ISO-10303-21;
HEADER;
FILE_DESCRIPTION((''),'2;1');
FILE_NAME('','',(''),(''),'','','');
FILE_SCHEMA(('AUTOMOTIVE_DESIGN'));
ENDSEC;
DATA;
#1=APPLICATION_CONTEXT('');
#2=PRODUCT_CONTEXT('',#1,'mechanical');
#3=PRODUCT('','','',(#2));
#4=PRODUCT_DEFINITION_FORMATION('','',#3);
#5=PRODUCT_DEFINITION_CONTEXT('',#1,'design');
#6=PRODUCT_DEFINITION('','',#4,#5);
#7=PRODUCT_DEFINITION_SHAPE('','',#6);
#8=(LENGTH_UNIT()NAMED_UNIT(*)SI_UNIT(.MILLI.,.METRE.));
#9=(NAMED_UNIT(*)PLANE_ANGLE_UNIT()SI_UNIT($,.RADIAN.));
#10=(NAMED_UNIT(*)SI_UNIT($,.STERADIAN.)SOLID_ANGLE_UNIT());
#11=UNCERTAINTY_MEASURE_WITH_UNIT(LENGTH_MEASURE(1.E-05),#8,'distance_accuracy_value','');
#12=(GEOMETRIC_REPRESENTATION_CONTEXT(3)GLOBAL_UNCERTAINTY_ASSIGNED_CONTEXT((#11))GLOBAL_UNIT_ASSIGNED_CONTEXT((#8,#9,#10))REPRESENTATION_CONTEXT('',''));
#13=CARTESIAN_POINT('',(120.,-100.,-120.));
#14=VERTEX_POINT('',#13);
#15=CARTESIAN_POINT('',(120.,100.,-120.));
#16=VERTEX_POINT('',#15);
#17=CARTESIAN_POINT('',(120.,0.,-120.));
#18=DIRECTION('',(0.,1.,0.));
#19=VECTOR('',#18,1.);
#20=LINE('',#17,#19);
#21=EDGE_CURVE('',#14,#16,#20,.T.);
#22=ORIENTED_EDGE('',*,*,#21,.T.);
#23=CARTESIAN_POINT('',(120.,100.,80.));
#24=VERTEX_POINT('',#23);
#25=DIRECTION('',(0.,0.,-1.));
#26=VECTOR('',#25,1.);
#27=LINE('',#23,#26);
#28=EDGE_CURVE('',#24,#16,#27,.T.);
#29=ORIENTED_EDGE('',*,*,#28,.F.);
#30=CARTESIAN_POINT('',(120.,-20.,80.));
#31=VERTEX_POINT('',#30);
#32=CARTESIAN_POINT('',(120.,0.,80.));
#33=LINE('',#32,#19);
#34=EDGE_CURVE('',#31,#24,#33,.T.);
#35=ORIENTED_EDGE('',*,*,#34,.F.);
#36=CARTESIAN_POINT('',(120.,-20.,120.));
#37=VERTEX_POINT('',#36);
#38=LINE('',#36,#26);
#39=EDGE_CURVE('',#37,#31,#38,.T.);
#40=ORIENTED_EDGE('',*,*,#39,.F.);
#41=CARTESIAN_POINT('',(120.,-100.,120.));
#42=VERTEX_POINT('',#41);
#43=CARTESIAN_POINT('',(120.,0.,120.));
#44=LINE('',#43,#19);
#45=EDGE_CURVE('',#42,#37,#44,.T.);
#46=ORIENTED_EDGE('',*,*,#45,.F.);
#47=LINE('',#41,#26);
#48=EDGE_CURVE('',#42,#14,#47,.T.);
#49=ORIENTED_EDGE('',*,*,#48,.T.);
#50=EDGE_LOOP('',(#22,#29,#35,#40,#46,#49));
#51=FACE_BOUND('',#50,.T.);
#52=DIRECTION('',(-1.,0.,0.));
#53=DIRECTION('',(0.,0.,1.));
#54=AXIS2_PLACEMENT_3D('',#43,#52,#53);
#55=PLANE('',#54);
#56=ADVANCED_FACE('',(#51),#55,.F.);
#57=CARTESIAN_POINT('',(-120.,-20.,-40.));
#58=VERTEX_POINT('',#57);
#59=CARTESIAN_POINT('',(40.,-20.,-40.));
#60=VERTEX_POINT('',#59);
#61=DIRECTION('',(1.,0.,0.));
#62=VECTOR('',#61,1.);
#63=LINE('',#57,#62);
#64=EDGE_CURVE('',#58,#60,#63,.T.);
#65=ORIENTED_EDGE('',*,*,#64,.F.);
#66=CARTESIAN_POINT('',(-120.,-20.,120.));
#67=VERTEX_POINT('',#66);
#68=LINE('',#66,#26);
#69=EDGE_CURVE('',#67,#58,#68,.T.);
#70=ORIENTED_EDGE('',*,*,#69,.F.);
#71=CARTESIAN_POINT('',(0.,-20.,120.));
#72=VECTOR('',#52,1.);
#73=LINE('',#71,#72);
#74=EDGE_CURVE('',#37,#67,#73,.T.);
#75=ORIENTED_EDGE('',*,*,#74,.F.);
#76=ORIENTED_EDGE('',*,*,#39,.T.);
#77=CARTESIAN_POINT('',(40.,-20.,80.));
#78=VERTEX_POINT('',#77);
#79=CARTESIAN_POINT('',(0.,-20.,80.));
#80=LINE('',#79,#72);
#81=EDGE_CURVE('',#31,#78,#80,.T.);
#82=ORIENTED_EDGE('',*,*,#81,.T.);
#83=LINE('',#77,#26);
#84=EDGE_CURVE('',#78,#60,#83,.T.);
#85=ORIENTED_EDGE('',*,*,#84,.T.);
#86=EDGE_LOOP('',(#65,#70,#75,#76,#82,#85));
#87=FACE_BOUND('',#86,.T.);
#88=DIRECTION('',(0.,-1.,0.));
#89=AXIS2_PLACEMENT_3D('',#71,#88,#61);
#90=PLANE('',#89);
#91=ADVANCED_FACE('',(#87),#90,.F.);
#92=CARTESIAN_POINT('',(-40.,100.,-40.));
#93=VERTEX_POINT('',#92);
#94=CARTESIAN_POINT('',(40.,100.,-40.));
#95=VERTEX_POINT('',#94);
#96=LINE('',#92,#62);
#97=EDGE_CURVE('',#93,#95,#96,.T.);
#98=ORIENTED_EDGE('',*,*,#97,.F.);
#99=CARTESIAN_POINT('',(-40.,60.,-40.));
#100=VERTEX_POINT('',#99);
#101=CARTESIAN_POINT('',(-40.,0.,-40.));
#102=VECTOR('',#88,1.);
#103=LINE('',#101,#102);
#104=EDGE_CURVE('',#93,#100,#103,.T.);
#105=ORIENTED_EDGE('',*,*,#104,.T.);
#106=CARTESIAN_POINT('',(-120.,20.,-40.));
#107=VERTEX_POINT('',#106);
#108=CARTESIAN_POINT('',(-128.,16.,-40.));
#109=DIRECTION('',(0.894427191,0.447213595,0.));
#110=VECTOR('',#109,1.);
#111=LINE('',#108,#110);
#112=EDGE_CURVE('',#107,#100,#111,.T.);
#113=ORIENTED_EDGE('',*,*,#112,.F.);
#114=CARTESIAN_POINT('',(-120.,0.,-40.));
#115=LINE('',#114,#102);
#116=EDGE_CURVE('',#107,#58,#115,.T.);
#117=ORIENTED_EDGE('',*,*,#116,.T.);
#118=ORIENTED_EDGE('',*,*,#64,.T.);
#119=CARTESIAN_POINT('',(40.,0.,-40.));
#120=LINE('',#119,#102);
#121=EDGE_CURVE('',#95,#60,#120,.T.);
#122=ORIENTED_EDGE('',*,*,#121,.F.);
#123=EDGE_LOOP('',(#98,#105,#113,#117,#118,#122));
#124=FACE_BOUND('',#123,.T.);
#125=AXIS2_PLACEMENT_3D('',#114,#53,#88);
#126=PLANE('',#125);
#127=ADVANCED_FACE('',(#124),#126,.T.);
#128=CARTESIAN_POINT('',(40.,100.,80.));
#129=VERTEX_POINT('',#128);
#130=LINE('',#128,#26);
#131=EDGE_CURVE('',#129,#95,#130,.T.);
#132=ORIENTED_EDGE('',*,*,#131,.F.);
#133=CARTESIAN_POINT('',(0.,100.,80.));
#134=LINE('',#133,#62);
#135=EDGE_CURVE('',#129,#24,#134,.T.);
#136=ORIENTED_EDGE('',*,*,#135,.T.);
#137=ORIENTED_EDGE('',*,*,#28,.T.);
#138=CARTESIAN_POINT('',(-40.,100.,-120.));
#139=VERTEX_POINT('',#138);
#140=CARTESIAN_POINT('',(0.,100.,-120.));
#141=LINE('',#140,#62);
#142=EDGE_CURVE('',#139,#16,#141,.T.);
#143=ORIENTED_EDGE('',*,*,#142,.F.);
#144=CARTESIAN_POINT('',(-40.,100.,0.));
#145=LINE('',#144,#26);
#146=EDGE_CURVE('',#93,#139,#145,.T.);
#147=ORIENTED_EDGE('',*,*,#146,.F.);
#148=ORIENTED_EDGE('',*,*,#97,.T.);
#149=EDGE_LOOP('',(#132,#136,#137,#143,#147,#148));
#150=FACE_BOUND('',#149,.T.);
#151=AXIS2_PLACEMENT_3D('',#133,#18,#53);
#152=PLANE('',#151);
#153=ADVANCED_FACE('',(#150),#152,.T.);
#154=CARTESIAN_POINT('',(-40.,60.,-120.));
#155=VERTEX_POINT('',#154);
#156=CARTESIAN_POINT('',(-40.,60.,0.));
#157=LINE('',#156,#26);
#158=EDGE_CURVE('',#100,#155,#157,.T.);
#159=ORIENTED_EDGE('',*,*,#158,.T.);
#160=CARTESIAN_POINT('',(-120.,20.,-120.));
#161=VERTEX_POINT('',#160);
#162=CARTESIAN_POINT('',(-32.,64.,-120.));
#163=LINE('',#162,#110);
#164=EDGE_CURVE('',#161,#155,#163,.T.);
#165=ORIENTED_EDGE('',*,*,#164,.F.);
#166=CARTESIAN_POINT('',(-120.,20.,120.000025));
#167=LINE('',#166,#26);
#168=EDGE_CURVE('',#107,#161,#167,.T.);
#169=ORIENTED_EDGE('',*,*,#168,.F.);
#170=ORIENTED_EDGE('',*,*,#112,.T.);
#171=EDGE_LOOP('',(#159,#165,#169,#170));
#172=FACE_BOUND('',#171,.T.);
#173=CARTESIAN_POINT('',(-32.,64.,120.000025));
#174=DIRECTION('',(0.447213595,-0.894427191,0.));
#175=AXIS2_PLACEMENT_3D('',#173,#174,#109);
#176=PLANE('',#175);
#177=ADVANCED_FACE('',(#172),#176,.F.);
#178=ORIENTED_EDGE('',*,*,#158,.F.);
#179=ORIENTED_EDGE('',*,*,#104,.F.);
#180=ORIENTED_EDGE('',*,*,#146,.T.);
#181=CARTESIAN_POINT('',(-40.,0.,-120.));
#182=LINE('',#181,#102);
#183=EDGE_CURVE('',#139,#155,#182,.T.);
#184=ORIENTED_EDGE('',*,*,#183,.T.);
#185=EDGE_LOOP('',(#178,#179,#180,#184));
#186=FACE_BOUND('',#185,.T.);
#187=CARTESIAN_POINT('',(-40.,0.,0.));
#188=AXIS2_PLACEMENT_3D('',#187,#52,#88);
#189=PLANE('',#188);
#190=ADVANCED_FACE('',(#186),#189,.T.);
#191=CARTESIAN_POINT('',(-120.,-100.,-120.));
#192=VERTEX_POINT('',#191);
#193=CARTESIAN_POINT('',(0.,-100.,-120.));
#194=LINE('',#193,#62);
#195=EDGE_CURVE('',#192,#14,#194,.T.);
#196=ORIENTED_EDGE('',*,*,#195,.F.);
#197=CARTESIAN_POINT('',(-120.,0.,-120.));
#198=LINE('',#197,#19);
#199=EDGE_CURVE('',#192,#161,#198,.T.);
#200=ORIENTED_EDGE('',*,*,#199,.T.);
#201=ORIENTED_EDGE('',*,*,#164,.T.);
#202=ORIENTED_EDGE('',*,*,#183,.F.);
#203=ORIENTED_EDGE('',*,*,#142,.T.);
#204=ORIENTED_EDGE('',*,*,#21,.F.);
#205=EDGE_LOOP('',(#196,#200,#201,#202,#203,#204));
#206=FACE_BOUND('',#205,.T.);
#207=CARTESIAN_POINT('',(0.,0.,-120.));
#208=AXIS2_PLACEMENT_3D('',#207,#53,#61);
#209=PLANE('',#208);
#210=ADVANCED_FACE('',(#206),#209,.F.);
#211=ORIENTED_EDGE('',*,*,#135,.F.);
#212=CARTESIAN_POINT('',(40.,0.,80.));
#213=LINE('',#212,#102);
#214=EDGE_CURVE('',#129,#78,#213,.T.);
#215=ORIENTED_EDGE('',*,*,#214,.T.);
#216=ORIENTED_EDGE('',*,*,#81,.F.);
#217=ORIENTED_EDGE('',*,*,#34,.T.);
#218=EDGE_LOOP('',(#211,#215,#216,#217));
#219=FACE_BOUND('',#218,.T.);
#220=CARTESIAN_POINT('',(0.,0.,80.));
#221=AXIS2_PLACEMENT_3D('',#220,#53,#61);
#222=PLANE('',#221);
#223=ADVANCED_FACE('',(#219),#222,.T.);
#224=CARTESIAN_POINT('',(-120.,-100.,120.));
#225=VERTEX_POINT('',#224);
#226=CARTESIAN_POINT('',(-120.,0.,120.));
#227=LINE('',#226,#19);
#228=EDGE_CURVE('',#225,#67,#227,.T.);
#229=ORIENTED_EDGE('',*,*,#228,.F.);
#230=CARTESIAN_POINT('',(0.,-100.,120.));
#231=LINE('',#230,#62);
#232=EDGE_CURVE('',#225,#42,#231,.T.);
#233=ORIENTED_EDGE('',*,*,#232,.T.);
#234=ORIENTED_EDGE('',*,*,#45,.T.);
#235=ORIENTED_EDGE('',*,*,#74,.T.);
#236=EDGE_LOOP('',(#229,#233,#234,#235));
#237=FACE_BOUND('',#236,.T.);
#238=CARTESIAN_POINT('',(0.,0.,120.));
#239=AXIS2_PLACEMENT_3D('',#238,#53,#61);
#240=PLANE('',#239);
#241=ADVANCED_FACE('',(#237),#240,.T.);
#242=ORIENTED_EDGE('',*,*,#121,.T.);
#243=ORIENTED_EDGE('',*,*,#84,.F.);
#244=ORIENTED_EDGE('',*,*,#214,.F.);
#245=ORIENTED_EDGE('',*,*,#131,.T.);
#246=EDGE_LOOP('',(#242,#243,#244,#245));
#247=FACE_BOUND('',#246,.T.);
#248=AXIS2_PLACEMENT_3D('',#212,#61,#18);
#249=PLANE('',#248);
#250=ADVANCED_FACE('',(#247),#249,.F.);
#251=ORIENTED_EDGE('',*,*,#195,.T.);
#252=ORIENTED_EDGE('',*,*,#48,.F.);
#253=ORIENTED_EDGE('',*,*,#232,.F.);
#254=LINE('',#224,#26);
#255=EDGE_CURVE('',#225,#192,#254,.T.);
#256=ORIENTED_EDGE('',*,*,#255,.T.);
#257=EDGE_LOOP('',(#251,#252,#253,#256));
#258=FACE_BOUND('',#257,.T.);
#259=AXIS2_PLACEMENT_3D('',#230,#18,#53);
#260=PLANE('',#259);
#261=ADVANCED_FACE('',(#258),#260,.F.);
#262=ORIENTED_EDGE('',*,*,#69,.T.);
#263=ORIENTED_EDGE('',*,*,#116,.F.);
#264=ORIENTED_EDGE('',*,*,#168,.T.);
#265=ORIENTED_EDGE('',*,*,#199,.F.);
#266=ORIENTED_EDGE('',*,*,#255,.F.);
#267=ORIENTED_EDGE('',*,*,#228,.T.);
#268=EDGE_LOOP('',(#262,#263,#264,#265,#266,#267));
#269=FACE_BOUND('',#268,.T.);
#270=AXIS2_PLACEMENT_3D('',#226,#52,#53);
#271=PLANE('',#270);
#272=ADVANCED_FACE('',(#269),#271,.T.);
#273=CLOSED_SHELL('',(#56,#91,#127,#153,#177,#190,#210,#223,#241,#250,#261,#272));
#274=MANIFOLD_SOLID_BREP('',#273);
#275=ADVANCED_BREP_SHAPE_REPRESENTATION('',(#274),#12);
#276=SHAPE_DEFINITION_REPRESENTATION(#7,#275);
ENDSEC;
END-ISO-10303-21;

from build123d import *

# Parameters (mm, degrees)
BOSS_EXTRUDE1_DEPTH      = 120
SKETCH1_3_W              = 80
SKETCH1_3_H              = 120
BOSS_EXTRUDE2_DEPTH      = 80
BOSS_EXTRUDE3_DEPTH      = 120
SKETCH1_5_W              = 80
SKETCH1_5_H              = 120
BOSS_EXTRUDE4_DEPTH      = 120
SKETCH2_W                = 80
SKETCH2_H                = 40
BOSS_EXTRUDE5_DEPTH      = 160
SKETCH2_8_W              = 80
SKETCH2_8_H              = 40
BOSS_EXTRUDE6_DEPTH      = 80
SKETCH2_9_W              = 80
SKETCH2_9_H              = 40
BOSS_EXTRUDE7_DEPTH      = 160
CUT_EXTRUDE20_DEPTH      = 224.60679775
CUT_EXTRUDE20_DEPTH_BACK = 121


with BuildPart() as part:
    # Sketch1 → Boss-Extrude1 (new body)
    with BuildSketch(Plane.XY):
        Polygon((120, -100), (120, -20), (40, -20), (-120, -20), (-120, -100), align=None)
    extrude(amount=BOSS_EXTRUDE1_DEPTH)

    # Sketch1<3> → Boss-Extrude2 (add)
    with BuildSketch(Plane.XY):
        with Locations((80, 40)):
            Rectangle(SKETCH1_3_W, SKETCH1_3_H)
    extrude(amount=BOSS_EXTRUDE2_DEPTH)

    # Sketch1<4> → Boss-Extrude3 (add)
    with BuildSketch(Plane.XY):
        Polygon((120, -100), (120, -20), (40, -20), (-120, -20), (-120, -100), align=None)
    extrude(amount=-BOSS_EXTRUDE3_DEPTH)

    # Sketch1<5> → Boss-Extrude4 (add)
    with BuildSketch(Plane.XY):
        with Locations((80, 40)):
            Rectangle(SKETCH1_5_W, SKETCH1_5_H)
    extrude(amount=-BOSS_EXTRUDE4_DEPTH)

    # Sketch2 → Boss-Extrude5 (add)
    with BuildSketch(Plane.ZY.offset(-40)):
        with Locations((-80, 0)):
            Rectangle(SKETCH2_W, SKETCH2_H)
    extrude(amount=BOSS_EXTRUDE5_DEPTH)

    # Sketch2<8> → Boss-Extrude6 (add)
    with BuildSketch(Plane.ZY.offset(-40)):
        with Locations((-80, 80)):
            Rectangle(SKETCH2_8_W, SKETCH2_8_H)
    extrude(amount=BOSS_EXTRUDE6_DEPTH)

    # Sketch2<9> → Boss-Extrude7 (add)
    with BuildSketch(Plane.ZY.offset(-40)):
        with Locations((-80, 40)):
            Rectangle(SKETCH2_9_W, SKETCH2_9_H)
    extrude(amount=BOSS_EXTRUDE7_DEPTH)

    # Sketch4 → Cut-Extrude20 (cut, two sides: drawn at the far end of the back side and taken through both)
    with BuildSketch(Plane.XY.offset(-40).offset(-CUT_EXTRUDE20_DEPTH_BACK)):
        Polygon((-120, 20), (-40, 60), (-120, 60), align=None)
    extrude(amount=CUT_EXTRUDE20_DEPTH + CUT_EXTRUDE20_DEPTH_BACK, mode=Mode.SUBTRACT)


solid = part.part
